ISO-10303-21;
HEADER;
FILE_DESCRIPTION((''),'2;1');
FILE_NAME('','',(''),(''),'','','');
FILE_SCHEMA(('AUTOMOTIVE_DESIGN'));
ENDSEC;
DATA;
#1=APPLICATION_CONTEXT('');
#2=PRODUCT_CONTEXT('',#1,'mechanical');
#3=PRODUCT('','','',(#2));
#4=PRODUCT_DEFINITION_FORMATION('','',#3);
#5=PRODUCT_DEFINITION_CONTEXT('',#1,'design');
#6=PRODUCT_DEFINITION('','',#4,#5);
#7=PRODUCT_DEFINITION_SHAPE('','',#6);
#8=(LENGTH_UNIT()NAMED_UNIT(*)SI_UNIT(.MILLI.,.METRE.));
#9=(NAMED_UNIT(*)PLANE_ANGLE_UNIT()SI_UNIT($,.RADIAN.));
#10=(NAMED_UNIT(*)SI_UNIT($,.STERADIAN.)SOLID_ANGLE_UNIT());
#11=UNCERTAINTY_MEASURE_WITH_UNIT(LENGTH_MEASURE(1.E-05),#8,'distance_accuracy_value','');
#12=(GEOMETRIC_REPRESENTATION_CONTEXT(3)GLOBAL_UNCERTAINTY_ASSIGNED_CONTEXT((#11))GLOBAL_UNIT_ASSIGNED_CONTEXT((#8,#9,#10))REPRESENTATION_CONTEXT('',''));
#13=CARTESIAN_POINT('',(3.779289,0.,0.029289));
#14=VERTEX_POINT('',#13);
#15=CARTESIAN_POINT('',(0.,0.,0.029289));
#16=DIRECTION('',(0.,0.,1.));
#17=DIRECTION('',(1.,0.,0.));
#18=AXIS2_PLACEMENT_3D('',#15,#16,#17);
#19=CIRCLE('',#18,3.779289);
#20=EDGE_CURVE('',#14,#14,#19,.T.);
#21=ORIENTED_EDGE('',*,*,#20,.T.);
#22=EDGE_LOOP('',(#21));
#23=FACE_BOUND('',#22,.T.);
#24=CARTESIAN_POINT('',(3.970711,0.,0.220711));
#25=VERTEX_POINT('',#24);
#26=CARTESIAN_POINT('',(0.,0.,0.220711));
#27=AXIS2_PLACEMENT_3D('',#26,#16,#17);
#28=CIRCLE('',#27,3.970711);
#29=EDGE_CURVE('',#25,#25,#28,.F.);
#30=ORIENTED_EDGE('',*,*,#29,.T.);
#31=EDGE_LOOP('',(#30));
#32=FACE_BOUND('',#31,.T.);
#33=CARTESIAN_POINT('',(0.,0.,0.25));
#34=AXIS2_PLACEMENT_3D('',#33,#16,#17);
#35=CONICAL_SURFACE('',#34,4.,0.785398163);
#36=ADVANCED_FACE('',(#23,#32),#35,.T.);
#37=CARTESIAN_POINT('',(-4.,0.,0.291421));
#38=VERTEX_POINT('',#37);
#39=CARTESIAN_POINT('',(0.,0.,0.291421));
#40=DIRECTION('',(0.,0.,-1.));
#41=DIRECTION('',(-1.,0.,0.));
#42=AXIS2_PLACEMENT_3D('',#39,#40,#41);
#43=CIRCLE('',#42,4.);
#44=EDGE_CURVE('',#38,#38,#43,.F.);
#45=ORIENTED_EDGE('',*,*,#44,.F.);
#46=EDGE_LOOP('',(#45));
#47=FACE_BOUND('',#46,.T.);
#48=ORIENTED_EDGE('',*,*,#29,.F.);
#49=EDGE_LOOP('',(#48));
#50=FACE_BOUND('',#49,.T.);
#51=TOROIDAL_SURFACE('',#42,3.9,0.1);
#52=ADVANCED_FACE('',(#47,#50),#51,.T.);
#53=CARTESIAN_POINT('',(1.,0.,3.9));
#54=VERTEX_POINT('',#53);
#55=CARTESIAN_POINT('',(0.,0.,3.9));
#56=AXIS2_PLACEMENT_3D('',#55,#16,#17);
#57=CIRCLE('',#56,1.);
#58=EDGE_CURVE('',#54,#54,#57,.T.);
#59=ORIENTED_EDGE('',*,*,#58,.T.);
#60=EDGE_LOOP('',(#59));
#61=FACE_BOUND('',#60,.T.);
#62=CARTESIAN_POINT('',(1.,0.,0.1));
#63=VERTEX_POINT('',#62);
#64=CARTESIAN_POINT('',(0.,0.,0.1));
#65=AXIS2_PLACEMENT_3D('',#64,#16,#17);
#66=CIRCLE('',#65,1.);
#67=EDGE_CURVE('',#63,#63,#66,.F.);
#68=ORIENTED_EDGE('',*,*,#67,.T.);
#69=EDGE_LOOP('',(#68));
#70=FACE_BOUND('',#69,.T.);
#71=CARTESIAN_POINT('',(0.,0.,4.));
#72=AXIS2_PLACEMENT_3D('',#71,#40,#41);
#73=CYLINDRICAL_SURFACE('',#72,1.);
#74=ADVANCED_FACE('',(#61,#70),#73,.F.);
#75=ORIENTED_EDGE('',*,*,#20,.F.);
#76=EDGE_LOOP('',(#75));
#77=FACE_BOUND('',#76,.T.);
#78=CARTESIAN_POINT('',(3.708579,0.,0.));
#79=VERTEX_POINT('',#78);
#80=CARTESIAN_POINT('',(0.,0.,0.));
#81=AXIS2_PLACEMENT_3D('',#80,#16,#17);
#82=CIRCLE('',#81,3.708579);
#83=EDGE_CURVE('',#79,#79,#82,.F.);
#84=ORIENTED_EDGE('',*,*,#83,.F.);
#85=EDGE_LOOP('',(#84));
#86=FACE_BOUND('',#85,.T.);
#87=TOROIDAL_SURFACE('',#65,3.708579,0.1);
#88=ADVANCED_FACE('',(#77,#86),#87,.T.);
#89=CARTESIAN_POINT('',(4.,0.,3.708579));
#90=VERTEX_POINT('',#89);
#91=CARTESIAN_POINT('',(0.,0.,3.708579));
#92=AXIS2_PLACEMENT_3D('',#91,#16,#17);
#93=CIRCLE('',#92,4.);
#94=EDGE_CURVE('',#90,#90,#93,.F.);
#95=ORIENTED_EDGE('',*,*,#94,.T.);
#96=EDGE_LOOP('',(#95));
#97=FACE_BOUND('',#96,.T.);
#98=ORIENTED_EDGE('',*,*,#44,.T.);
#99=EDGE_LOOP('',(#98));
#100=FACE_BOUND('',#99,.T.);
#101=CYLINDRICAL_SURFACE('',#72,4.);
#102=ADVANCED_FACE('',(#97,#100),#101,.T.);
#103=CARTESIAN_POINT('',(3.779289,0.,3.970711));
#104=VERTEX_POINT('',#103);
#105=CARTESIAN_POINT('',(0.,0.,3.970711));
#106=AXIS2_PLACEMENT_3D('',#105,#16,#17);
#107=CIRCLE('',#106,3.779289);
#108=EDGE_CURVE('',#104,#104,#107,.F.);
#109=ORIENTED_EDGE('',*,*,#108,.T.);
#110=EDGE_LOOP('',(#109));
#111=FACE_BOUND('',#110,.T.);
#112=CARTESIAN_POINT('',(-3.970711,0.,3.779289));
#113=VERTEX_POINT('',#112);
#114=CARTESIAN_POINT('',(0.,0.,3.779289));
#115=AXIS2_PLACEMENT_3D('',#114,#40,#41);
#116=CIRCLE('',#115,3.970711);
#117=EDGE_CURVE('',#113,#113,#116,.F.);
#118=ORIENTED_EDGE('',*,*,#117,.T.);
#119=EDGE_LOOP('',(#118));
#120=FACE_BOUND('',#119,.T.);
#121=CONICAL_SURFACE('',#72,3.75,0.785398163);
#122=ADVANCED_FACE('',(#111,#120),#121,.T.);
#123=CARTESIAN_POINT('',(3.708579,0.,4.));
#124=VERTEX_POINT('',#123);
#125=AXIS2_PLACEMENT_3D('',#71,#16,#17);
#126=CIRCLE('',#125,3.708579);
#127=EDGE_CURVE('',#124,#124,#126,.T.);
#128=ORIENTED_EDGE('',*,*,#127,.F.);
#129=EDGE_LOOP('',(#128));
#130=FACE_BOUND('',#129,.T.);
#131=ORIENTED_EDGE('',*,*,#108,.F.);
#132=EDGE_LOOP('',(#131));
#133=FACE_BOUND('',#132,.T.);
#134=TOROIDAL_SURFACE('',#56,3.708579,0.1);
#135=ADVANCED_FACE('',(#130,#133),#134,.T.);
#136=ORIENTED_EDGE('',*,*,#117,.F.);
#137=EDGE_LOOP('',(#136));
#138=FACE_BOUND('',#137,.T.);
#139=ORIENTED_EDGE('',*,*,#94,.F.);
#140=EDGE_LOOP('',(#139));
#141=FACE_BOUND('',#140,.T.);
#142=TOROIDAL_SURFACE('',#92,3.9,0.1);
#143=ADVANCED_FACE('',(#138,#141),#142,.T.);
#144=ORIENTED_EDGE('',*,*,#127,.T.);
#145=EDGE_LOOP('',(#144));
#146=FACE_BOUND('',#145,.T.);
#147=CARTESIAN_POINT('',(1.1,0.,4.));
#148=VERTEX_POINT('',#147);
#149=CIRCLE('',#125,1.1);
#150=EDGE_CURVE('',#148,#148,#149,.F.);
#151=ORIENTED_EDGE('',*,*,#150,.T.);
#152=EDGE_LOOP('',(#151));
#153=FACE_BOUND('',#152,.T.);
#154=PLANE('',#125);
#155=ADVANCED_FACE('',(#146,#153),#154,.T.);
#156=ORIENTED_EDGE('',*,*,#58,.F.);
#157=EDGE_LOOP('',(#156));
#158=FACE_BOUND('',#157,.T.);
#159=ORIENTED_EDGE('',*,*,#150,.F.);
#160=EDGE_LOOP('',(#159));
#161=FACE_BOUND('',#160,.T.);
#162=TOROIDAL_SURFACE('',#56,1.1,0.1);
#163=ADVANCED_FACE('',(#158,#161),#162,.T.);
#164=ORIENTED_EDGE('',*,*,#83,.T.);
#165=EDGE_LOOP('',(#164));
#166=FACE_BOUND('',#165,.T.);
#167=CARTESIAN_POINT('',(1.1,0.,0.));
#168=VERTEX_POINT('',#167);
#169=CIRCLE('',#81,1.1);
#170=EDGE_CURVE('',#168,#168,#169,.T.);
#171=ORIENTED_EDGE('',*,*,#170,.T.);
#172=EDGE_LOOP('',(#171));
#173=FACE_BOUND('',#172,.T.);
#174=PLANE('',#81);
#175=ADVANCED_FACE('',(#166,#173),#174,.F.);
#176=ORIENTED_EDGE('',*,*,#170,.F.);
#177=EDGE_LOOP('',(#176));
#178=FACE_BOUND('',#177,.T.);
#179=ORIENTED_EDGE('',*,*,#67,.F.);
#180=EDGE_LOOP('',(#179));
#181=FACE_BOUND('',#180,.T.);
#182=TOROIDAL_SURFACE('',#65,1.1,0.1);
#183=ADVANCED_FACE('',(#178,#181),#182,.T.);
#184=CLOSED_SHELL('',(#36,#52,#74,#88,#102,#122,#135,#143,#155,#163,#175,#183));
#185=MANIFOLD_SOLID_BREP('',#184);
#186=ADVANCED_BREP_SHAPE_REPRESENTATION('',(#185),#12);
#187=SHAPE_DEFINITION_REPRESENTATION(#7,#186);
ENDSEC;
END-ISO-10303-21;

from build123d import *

# Parameters (mm, degrees)
SKETCH2_R           = 4
SKETCH2_R_2         = 1
BOSS_EXTRUDE1_DEPTH = 4
CHAMFER1_SIZE       = 0.25
FILLET1_R           = 0.1


with BuildPart() as part:
    # Sketch2 → Boss-Extrude1 (new body)
    with BuildSketch(Plane.XY):
        Circle(SKETCH2_R)
        Circle(SKETCH2_R_2, mode=Mode.SUBTRACT)
    extrude(amount=BOSS_EXTRUDE1_DEPTH)

    # Chamfer1
    chamfer1_edges = [part.edges().sort_by_distance(p)[0] for p in [
        (-4, 0, 0),
        (-4, 0, 4),
    ]]
    chamfer(chamfer1_edges, length=CHAMFER1_SIZE)

    # Fillet1
    fillet1_edges = [part.edges().sort_by_distance(p)[0] for p in [
        (-4, 0, 0.25),
        (-3.75, 0, 0),
        (-3.75, 0, 4),
        (-1, 0, 0),
        (-1, 0, 4),
        (-4, 0, 3.75),
    ]]
    fillet(fillet1_edges, radius=FILLET1_R)


solid = part.part
